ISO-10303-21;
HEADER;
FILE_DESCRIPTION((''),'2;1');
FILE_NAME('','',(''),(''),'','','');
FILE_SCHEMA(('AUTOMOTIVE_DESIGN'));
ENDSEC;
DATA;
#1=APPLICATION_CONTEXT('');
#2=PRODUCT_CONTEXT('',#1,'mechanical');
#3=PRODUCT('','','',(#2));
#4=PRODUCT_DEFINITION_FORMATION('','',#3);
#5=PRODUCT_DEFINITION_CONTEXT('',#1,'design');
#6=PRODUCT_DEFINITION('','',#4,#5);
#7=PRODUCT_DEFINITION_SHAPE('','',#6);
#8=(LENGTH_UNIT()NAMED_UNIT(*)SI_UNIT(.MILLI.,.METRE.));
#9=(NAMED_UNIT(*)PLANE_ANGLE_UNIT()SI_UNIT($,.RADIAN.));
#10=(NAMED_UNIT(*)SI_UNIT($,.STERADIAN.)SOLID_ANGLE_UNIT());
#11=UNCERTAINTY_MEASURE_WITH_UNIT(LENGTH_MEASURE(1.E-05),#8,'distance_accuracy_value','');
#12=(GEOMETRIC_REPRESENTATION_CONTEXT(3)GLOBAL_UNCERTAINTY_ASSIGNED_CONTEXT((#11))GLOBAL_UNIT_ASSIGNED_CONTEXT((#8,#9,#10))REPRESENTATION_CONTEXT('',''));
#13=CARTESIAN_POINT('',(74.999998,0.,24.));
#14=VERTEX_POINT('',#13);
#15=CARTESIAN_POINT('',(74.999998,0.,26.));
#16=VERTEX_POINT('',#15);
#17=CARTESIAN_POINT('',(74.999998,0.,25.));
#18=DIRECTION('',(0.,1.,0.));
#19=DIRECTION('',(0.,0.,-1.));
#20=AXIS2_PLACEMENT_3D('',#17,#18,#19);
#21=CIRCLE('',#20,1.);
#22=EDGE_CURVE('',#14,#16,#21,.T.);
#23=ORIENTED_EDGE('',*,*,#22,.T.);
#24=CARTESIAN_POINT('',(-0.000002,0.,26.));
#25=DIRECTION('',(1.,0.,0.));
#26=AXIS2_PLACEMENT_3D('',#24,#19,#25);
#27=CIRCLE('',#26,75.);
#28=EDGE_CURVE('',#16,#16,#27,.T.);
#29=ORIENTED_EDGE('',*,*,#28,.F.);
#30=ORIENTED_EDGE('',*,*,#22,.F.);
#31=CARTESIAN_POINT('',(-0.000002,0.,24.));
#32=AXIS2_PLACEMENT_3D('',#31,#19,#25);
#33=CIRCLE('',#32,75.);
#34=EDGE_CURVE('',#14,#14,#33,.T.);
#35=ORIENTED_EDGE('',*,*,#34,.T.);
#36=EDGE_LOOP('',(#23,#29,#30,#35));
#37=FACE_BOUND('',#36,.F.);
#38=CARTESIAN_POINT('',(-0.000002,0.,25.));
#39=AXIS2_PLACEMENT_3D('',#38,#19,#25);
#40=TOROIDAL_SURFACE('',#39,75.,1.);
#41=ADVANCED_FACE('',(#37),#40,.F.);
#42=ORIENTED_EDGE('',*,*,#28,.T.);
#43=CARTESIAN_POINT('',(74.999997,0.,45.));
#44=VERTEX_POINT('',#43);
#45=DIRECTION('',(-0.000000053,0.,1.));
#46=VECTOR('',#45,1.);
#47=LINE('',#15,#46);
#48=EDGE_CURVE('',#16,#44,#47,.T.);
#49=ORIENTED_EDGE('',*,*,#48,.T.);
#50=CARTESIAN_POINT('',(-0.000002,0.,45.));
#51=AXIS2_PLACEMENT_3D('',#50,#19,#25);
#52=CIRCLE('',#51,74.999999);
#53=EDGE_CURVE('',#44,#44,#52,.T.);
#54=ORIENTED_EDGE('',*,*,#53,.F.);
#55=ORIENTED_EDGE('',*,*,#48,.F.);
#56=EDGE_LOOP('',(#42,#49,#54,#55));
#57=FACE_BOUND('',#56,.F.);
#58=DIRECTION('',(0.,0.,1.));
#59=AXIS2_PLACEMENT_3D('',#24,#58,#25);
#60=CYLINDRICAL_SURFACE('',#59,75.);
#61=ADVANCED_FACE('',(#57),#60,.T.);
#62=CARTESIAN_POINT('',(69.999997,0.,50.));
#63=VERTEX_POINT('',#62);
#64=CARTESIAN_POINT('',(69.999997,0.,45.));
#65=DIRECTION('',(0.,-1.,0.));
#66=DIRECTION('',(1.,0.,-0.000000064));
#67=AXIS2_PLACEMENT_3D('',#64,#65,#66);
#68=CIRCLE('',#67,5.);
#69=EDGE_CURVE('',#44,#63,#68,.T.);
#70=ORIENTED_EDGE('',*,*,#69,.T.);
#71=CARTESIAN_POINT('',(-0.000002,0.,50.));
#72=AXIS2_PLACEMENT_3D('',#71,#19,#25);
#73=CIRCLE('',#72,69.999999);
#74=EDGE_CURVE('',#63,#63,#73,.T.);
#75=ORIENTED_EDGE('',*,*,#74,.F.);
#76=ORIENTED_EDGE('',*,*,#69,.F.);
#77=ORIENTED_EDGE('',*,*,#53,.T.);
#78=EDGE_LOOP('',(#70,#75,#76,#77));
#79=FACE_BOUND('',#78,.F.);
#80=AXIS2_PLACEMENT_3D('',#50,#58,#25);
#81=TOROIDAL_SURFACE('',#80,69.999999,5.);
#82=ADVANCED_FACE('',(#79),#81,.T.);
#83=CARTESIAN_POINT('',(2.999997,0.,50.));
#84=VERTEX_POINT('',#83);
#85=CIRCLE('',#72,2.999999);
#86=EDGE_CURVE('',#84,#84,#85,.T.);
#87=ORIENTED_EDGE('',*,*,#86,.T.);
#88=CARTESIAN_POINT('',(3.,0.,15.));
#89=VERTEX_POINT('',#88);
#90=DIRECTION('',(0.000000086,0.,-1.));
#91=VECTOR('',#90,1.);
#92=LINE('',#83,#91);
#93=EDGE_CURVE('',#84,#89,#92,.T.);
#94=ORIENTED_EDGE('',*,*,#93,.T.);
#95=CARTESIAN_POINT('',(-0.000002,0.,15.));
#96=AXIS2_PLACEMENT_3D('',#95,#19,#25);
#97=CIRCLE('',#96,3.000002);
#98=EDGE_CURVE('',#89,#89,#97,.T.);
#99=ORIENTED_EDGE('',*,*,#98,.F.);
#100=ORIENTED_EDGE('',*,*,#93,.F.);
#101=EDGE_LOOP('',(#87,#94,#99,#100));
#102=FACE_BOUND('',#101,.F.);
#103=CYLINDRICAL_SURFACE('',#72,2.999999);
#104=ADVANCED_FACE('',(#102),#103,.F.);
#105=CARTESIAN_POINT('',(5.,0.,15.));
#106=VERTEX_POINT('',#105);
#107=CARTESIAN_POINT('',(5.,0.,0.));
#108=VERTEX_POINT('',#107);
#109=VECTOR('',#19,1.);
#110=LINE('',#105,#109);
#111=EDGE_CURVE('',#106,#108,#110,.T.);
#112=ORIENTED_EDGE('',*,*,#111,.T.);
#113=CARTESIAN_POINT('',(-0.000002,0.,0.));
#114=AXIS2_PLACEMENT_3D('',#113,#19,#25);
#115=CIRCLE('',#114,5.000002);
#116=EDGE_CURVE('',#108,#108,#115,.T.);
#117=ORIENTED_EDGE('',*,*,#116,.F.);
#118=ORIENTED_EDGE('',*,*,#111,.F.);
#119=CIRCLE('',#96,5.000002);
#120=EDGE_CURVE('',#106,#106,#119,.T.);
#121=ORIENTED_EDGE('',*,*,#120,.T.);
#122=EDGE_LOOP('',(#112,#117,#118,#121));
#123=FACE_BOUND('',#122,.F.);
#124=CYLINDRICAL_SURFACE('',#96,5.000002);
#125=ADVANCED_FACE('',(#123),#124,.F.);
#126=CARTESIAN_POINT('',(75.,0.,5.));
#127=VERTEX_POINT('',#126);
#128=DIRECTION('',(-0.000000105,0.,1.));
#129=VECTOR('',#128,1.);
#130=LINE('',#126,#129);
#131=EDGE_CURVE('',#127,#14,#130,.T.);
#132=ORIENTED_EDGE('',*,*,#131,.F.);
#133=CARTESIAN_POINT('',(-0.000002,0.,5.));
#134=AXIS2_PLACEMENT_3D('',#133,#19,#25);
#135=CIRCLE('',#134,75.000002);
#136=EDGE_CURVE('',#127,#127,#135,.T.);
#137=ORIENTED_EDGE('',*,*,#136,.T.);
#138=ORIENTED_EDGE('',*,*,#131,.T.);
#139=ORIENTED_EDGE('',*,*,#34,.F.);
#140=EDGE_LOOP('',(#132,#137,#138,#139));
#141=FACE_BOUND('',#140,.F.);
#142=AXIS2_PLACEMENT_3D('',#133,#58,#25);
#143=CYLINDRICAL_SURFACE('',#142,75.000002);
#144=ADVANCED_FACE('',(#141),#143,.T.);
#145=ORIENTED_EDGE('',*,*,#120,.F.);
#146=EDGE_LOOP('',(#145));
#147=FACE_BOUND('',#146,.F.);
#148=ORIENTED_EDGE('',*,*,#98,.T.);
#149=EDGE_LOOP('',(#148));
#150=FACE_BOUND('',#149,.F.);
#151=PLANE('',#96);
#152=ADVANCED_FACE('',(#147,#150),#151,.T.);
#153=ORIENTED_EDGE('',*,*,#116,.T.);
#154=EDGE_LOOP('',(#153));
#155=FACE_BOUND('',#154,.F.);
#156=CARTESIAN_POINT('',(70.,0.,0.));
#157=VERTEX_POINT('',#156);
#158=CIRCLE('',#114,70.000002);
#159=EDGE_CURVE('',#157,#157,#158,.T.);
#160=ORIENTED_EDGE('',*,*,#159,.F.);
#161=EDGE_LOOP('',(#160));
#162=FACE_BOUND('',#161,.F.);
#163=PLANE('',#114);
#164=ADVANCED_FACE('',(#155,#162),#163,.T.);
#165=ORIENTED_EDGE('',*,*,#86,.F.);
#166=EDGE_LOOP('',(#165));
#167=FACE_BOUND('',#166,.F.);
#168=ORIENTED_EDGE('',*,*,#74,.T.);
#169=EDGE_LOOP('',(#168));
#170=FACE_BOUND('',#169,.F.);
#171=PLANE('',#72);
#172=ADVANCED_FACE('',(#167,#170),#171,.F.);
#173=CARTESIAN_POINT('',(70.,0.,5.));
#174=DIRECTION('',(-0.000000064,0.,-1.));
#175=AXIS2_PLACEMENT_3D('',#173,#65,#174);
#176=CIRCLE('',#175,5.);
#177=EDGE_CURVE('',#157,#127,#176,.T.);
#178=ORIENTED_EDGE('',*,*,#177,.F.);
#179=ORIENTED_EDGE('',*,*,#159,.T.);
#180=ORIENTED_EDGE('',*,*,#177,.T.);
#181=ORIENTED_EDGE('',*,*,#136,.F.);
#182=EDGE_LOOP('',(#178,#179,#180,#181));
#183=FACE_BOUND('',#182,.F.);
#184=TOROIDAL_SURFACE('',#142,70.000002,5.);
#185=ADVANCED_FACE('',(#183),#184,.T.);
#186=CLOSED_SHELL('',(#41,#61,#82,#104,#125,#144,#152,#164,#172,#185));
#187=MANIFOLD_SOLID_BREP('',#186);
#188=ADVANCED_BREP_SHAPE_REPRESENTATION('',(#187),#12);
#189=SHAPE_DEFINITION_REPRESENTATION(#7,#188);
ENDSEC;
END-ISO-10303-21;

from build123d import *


with BuildPart() as f1:
    # F0 (on Front) → F1 (revolve)
    with BuildSketch(Plane.XZ):
        with BuildLine():
            Line((5, 15), (5, 0))
            Line((5, 0), (70, 0))
            ThreePointArc((70, 0), (73.535534, 1.464466), (75, 5))
            Line((75, 5), (74.999998, 24))
            ThreePointArc((74.999998, 24), (73.999998, 25), (74.999998, 26))
            Line((74.999998, 26), (74.999997, 45))
            ThreePointArc((74.999997, 45), (73.535531, 48.535534), (69.999997, 50))
            Line((69.999997, 50), (2.999997, 50))
            Line((2.999997, 50), (3, 15))
            Line((3, 15), (5, 15))
        make_face()
    revolve(axis=Axis((-2e-06, 0, 25), (0, 0, -1)))


solid = f1.part
